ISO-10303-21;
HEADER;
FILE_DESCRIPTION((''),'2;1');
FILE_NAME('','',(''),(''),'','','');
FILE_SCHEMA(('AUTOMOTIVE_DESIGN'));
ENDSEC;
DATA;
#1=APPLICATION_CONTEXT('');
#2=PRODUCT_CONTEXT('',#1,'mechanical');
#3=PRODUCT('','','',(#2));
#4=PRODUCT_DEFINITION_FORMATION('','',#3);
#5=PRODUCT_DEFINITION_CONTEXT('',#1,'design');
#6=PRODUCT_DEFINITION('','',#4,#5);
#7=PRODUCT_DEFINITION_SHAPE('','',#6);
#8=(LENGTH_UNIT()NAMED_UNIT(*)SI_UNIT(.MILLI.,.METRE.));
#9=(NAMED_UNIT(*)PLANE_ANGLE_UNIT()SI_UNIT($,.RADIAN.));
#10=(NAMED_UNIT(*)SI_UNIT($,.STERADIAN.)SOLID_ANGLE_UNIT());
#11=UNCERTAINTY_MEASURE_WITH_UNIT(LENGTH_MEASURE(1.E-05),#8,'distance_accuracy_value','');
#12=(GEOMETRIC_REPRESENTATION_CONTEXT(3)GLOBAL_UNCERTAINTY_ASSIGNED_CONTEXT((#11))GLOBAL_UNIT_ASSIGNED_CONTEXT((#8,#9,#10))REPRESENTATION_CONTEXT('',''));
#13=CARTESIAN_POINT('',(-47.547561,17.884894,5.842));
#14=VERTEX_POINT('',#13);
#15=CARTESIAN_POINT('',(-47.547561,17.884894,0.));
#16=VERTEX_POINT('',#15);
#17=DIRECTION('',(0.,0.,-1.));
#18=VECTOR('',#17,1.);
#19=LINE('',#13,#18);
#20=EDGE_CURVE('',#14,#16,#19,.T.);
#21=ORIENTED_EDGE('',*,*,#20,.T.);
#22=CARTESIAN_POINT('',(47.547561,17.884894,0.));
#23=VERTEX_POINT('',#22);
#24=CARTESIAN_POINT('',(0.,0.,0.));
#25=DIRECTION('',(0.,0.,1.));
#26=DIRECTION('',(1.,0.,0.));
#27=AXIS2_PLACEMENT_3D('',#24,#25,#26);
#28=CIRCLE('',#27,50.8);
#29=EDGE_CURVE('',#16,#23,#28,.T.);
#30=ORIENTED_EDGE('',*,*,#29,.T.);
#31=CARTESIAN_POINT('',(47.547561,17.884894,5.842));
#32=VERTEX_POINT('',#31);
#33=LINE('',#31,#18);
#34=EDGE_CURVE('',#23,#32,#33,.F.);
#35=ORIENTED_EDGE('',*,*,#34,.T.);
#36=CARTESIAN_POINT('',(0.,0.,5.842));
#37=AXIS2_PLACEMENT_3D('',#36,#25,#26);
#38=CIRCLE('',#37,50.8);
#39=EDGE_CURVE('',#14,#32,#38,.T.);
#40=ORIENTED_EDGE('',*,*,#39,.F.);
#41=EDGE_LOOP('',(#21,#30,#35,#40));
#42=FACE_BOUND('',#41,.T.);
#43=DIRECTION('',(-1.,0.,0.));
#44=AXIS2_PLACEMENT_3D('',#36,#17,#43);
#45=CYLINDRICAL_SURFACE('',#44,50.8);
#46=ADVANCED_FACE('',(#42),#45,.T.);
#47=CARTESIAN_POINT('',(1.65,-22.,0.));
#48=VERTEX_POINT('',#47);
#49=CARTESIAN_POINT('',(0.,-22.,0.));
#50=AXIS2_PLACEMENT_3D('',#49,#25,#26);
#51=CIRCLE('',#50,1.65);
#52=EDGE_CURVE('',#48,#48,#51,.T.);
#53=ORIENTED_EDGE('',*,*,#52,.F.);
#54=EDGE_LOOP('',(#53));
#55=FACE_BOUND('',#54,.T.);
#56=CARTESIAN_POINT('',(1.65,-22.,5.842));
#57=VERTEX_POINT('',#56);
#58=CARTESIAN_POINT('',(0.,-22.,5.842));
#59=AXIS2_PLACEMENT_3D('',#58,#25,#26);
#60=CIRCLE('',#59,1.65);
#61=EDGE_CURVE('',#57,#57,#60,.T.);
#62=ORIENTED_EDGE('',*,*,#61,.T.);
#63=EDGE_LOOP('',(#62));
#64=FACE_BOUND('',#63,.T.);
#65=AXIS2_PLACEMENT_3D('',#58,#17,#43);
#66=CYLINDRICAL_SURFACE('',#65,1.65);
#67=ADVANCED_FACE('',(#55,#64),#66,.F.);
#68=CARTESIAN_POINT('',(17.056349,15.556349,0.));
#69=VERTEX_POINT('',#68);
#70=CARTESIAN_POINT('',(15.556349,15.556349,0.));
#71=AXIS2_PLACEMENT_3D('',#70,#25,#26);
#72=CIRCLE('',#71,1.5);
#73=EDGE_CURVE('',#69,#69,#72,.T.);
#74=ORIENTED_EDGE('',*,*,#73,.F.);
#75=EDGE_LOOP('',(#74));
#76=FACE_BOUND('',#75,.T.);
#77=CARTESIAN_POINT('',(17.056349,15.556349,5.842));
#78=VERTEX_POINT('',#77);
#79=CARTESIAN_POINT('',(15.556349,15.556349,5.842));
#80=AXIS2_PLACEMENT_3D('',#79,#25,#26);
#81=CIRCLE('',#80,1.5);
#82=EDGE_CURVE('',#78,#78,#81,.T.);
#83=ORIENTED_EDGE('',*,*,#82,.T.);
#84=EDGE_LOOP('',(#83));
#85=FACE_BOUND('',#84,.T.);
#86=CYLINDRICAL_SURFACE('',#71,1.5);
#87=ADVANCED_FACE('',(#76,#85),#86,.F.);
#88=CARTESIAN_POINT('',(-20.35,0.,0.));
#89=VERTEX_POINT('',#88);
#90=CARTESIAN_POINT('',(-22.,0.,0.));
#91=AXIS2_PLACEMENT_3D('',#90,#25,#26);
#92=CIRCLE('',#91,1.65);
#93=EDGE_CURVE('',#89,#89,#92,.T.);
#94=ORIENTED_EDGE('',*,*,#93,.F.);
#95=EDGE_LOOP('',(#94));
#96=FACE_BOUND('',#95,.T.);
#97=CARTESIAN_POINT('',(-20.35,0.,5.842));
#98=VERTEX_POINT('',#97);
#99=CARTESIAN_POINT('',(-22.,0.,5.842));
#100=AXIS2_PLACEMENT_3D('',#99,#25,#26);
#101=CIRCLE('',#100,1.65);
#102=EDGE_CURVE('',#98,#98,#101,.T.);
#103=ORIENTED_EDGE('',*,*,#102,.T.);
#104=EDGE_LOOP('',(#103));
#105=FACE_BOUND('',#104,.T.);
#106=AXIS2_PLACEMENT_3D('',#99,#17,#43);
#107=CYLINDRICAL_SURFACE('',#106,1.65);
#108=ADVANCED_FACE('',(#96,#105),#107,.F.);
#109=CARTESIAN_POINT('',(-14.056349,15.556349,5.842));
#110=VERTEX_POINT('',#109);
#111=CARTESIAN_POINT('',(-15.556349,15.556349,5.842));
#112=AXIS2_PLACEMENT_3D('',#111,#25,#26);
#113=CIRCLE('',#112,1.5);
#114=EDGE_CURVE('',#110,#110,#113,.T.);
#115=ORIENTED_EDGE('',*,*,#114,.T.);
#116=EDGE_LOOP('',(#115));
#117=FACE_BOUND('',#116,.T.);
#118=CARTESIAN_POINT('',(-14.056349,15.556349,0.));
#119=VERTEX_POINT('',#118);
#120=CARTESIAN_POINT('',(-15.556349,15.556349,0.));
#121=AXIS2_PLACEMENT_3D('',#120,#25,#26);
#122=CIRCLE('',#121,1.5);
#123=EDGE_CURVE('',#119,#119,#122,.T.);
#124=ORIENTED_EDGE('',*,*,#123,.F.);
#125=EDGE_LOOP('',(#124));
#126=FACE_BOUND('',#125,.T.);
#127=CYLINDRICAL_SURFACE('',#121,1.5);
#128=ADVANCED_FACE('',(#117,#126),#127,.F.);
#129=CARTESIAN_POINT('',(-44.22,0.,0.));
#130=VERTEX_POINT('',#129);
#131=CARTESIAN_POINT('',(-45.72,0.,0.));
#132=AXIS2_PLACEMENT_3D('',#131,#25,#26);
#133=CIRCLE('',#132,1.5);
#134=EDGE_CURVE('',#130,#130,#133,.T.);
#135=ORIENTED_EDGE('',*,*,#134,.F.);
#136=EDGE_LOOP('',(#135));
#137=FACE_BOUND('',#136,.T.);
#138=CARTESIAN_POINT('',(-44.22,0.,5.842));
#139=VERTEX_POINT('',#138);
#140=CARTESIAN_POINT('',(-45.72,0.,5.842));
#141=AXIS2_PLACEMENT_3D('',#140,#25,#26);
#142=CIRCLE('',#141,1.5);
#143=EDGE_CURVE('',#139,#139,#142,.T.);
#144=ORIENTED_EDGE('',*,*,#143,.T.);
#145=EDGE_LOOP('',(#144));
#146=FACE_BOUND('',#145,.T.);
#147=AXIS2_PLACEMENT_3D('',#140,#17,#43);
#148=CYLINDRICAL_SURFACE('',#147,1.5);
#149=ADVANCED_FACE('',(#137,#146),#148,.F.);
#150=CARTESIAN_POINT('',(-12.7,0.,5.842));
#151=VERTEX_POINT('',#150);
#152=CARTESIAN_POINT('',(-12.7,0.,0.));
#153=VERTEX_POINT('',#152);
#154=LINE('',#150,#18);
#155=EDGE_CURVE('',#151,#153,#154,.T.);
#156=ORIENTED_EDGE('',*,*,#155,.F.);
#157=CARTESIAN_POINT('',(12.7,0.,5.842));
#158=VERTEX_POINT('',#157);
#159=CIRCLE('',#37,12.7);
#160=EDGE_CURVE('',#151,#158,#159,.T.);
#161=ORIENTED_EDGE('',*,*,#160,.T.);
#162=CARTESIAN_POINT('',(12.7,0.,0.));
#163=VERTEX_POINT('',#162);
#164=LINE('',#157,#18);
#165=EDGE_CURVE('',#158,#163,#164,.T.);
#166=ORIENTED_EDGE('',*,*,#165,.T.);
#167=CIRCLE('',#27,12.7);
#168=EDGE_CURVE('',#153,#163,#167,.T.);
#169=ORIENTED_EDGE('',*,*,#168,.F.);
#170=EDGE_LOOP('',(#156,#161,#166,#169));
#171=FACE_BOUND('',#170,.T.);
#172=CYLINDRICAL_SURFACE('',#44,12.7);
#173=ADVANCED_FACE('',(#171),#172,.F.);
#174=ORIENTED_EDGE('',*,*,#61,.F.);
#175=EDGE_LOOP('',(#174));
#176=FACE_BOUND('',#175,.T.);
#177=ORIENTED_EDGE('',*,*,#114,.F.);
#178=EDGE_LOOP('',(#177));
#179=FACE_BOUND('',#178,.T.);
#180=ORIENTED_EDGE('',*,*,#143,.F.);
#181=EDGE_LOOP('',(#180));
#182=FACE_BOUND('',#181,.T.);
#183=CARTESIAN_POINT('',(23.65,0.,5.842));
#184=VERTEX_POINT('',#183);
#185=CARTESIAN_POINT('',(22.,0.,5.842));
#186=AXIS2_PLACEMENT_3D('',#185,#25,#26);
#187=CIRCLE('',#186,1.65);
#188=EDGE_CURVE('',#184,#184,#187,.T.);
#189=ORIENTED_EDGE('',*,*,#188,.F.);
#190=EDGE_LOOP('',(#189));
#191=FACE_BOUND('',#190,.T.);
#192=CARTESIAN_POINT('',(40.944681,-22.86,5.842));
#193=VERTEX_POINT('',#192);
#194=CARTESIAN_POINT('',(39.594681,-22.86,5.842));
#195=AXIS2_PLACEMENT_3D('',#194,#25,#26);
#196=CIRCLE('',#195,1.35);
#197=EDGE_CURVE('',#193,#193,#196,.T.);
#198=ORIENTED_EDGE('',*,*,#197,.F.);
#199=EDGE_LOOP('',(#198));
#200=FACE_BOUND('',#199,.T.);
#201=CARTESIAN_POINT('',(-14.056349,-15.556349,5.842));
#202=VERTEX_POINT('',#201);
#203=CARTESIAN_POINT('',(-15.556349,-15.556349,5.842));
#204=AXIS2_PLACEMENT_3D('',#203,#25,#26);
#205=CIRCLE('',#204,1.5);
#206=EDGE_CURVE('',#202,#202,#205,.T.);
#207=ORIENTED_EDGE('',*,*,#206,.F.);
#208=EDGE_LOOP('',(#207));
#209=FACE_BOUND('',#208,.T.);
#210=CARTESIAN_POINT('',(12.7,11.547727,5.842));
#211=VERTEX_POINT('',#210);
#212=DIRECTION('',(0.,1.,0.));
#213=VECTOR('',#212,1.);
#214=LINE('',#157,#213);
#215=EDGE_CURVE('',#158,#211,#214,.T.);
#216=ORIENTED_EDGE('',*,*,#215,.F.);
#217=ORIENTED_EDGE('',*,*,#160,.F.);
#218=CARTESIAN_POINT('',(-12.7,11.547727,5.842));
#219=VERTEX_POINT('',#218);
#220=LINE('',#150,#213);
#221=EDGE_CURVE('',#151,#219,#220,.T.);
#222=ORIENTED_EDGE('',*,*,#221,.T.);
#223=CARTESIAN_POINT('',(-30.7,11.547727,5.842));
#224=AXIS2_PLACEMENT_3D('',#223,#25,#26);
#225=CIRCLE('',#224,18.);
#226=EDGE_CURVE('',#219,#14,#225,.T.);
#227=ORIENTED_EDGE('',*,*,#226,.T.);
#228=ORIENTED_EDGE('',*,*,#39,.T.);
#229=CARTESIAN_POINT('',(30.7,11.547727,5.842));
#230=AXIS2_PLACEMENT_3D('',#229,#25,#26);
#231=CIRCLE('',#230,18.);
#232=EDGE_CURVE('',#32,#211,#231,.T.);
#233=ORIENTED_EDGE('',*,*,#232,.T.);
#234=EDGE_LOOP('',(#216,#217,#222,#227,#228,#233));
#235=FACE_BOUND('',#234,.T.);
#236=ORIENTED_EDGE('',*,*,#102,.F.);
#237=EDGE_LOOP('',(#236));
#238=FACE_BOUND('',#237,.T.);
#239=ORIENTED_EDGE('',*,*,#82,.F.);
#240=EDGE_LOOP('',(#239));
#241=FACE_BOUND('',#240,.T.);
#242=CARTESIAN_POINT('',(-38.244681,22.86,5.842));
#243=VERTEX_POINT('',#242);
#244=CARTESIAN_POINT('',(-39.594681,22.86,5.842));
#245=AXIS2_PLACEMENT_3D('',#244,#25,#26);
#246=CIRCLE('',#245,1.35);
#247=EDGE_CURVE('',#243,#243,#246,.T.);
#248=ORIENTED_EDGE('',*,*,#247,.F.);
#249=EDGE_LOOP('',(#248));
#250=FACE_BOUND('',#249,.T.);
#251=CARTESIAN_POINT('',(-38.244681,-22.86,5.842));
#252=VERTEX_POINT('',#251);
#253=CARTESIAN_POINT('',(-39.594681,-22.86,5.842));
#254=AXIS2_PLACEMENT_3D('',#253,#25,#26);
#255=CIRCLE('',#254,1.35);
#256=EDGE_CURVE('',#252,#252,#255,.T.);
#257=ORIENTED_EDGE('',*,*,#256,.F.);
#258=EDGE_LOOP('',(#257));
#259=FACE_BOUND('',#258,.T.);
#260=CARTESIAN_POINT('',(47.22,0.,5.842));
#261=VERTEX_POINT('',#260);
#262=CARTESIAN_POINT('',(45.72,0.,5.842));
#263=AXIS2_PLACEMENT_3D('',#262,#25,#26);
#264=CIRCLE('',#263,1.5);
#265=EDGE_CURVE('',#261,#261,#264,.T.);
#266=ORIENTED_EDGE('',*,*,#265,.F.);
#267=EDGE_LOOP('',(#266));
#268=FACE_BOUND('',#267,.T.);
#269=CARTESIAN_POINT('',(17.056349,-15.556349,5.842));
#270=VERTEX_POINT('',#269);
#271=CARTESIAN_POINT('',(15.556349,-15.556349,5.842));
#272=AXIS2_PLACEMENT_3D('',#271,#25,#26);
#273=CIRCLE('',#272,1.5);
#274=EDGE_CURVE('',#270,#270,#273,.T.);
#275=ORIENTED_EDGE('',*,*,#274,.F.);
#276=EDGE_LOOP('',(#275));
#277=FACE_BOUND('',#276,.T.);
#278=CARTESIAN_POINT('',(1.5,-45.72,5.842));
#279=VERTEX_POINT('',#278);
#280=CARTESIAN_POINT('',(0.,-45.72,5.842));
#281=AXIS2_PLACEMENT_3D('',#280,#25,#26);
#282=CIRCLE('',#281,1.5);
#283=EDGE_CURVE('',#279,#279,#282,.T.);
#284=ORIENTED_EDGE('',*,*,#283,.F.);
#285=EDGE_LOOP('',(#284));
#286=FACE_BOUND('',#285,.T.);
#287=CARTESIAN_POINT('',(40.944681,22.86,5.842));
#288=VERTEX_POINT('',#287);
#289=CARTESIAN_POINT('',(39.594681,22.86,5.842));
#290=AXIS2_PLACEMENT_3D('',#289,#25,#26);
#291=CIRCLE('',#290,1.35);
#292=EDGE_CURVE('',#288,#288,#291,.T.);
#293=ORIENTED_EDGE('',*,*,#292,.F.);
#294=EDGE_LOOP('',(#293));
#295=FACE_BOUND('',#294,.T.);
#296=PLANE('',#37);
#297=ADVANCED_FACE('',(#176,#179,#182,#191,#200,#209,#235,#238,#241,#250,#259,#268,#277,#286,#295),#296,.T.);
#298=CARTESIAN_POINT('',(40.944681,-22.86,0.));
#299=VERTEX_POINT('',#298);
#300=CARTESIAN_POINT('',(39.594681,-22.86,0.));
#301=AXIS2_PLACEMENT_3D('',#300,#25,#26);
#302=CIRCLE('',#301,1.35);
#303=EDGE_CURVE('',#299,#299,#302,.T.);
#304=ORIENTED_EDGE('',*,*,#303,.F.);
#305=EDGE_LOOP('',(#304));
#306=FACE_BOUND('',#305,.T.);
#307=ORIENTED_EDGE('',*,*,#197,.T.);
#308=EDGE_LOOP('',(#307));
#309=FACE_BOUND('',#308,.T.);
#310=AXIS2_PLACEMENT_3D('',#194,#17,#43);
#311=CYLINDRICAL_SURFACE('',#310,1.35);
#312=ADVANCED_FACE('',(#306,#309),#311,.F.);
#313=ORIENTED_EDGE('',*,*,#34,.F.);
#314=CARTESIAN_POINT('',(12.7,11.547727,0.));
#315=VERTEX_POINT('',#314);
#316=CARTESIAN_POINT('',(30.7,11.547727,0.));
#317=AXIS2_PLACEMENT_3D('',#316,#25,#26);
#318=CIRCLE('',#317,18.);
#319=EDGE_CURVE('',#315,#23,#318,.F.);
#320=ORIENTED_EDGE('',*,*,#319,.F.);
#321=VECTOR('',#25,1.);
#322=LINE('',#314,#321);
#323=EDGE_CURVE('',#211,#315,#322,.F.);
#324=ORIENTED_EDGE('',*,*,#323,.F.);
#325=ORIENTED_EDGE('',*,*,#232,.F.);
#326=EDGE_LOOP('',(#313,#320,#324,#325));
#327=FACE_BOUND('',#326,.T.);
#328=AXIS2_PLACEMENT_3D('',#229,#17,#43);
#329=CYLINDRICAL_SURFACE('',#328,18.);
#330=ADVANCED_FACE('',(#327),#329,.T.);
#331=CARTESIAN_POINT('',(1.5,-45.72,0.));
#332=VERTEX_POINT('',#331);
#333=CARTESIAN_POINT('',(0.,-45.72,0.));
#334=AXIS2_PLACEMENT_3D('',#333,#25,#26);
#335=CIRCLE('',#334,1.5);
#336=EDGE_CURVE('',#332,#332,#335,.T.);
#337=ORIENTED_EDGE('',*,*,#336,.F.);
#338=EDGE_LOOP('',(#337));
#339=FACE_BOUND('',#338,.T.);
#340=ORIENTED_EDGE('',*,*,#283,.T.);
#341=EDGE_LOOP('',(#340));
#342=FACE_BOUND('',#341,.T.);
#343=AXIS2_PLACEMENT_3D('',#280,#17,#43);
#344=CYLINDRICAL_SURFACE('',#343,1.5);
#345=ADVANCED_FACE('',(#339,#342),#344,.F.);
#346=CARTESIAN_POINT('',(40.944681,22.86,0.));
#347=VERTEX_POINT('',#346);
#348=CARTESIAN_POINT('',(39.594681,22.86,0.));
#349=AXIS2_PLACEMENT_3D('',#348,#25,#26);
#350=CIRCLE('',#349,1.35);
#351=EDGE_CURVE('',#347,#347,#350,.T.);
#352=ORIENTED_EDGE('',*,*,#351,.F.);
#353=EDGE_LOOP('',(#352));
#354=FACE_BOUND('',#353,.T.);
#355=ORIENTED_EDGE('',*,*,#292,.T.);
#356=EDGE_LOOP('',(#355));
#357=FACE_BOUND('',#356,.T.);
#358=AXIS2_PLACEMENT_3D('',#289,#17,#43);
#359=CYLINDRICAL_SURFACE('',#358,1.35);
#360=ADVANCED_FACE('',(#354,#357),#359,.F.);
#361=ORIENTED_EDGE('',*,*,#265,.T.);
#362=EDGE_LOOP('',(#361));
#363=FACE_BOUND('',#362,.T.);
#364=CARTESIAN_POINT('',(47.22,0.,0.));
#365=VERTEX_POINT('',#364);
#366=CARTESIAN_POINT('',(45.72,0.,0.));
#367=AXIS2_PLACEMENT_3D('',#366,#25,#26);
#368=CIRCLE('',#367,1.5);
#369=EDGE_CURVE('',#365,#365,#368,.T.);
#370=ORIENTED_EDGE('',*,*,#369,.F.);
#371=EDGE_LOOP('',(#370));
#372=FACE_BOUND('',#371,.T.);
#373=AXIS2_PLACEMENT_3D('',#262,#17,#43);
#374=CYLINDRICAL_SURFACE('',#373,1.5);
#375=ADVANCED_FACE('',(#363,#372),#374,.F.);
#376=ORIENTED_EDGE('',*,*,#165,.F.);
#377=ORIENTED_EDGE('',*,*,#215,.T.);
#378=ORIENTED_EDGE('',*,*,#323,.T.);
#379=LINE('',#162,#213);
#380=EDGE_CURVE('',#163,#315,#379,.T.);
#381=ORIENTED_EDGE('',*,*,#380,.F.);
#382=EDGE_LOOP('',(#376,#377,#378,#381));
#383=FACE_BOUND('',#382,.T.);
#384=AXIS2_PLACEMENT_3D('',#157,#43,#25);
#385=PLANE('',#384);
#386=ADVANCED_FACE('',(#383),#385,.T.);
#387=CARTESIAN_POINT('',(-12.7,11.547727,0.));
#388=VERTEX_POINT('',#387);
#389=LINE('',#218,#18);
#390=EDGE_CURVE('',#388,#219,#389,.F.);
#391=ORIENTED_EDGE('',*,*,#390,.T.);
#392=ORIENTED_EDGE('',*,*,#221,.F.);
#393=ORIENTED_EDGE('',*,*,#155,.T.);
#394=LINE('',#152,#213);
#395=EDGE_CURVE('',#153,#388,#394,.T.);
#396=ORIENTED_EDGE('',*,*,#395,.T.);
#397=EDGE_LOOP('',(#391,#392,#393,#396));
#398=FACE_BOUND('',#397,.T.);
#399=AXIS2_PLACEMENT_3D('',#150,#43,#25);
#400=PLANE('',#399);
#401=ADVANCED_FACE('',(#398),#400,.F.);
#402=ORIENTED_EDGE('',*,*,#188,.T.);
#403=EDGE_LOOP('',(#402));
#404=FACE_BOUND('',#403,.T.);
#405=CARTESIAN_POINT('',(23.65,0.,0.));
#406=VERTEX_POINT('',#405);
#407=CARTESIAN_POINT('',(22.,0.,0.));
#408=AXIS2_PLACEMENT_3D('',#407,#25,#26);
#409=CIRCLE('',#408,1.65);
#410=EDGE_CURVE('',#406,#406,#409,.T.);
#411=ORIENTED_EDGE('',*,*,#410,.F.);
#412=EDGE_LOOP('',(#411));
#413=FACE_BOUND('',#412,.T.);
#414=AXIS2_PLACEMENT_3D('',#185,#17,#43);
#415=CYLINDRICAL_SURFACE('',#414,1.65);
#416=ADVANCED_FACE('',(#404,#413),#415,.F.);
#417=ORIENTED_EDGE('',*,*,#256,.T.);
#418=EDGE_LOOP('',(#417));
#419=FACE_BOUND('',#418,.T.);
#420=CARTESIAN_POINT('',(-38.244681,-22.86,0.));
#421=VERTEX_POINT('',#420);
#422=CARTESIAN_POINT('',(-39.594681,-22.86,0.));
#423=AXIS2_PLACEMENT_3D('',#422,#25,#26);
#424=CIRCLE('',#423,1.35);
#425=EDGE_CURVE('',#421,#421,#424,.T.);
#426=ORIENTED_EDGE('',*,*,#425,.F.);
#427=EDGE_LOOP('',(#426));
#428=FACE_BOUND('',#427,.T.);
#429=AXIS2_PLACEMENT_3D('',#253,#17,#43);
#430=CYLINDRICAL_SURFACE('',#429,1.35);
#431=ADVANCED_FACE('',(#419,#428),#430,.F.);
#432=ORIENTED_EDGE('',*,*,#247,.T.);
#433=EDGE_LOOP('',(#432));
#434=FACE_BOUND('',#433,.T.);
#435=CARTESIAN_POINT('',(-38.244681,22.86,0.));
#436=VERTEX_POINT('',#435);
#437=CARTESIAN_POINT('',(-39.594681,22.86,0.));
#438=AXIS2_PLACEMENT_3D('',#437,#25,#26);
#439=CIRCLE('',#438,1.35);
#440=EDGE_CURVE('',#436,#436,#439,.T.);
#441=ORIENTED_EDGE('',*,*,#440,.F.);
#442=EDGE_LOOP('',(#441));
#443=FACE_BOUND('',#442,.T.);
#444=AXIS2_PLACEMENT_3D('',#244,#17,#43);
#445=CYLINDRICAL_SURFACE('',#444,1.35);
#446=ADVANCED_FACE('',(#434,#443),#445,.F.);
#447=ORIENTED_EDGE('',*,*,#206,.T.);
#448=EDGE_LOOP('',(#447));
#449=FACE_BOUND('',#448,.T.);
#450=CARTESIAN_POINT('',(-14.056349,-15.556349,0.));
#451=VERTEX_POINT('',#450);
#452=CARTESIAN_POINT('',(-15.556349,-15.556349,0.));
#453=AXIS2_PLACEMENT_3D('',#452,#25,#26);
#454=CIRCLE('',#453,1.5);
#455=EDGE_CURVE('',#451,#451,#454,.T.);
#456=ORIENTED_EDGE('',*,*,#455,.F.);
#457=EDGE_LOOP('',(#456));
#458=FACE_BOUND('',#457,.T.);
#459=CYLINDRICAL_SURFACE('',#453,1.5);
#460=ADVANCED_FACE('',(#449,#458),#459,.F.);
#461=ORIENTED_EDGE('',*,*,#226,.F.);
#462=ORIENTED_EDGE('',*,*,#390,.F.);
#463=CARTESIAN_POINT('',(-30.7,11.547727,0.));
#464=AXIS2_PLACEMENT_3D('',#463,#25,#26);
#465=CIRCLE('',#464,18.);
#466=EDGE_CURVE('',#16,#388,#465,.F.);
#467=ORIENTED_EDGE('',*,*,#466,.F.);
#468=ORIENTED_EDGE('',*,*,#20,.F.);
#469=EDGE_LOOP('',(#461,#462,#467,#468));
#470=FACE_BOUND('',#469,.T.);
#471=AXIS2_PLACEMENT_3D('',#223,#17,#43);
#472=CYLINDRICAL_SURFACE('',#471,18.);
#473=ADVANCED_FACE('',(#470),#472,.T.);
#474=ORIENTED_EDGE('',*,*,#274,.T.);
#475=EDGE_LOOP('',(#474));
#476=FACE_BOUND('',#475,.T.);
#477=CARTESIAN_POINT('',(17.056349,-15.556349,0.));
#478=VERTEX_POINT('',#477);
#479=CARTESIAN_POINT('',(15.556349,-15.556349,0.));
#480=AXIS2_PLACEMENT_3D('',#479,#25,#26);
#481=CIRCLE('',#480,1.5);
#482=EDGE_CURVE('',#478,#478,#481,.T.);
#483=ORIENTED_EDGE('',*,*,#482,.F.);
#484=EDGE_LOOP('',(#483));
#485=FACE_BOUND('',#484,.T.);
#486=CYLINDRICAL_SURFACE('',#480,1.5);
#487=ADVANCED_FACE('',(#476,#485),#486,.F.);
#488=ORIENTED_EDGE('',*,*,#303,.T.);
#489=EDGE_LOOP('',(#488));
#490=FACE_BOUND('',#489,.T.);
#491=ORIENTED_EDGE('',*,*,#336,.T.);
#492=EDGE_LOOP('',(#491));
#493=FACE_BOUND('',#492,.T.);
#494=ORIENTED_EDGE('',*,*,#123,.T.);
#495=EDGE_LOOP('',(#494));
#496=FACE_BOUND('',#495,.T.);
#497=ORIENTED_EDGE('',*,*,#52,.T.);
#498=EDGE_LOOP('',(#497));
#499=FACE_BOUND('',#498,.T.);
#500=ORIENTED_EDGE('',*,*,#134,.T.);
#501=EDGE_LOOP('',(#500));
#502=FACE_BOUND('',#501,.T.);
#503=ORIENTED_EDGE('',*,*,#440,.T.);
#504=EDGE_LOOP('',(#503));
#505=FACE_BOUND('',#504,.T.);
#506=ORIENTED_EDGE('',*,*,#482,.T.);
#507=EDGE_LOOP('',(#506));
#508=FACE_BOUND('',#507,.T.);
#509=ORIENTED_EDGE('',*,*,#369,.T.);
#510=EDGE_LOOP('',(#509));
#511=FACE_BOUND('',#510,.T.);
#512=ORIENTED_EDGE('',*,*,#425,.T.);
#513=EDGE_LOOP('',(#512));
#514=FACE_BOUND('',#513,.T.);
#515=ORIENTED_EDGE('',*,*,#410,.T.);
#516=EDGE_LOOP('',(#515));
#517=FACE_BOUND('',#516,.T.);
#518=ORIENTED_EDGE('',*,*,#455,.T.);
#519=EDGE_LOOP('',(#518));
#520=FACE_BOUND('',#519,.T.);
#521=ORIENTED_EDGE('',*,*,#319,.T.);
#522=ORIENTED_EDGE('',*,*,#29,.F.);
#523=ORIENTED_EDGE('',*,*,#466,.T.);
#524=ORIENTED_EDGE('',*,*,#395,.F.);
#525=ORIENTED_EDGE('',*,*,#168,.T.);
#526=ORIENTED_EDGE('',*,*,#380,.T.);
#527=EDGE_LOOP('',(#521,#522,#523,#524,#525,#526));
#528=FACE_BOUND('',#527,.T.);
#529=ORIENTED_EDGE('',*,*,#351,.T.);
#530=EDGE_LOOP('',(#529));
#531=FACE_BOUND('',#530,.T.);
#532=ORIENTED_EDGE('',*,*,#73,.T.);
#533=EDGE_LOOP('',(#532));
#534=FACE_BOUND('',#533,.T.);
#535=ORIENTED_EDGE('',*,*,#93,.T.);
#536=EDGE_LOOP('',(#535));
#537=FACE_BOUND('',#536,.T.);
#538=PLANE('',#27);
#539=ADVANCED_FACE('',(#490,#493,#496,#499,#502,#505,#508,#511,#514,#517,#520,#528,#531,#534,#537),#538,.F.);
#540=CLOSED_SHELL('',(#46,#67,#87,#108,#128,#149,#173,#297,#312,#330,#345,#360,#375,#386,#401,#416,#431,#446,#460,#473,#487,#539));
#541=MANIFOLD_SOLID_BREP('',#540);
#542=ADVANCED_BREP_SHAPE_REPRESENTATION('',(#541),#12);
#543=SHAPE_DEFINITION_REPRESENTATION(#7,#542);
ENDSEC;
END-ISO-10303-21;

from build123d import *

# Parameters (mm, degrees)
SKETCH1_R           = 1.65
SKETCH1_R_2         = 1.5
SKETCH1_R_3         = 1.35
BOSS_EXTRUDE1_DEPTH = 5.842
FILLET1_R           = 18
SKETCH2_R           = 1.5
CUT_EXTRUDE1_DEPTH  = 73.079185373


with BuildPart() as part:
    # Sketch1 → Boss-Extrude1 (new body)
    with BuildSketch(Plane.XY):
        with BuildLine():
            Line((-12.7, 0), (-12.7, 49.186888497))
            ThreePointArc((-12.7, 49.186888497), (0, -50.8), (12.7, 49.186888497))
            Line((12.7, 49.186888497), (12.7, 0))
            ThreePointArc((12.7, 0), (0, -12.7), (-12.7, 0))
        make_face()
        with Locations((22, 0)):
            Circle(SKETCH1_R, mode=Mode.SUBTRACT)
        with Locations((0, -22)):
            Circle(SKETCH1_R, mode=Mode.SUBTRACT)
        with Locations((-22, 0)):
            Circle(SKETCH1_R, mode=Mode.SUBTRACT)
        with Locations((-45.72, 0)):
            Circle(SKETCH1_R_2, mode=Mode.SUBTRACT)
        with Locations((45.72, 0)):
            Circle(SKETCH1_R_2, mode=Mode.SUBTRACT)
        with Locations((0, -45.72)):
            Circle(SKETCH1_R_2, mode=Mode.SUBTRACT)
        with Locations((39.594681461, 22.86)):
            Circle(SKETCH1_R_3, mode=Mode.SUBTRACT)
        with Locations((39.594681461, -22.86)):
            Circle(SKETCH1_R_3, mode=Mode.SUBTRACT)
        with Locations((-39.594681461, -22.86)):
            Circle(SKETCH1_R_3, mode=Mode.SUBTRACT)
        with Locations((-39.594681461, 22.86)):
            Circle(SKETCH1_R_3, mode=Mode.SUBTRACT)
    extrude(amount=BOSS_EXTRUDE1_DEPTH)

    # Fillet1
    fillet1_edges = [part.edges().sort_by_distance(p)[0] for p in [
        (12.7, 49.186888497, 2.921),
        (-12.7, 49.186888497, 2.921),
    ]]
    fillet(fillet1_edges, radius=FILLET1_R)

    # Sketch2 → Cut-Extrude1 (cut, through all)
    with BuildSketch(Plane.XY.offset(5.842)):
        with Locations((-15.556349186, -15.556349186)):
            Circle(SKETCH2_R)
        with Locations((-15.556349186, 15.556349186)):
            Circle(SKETCH2_R)
        with Locations((15.556349186, 15.556349186)):
            Circle(SKETCH2_R)
        with Locations((15.556349186, -15.556349186)):
            Circle(SKETCH2_R)
    extrude(amount=-CUT_EXTRUDE1_DEPTH, mode=Mode.SUBTRACT)


solid = part.part
